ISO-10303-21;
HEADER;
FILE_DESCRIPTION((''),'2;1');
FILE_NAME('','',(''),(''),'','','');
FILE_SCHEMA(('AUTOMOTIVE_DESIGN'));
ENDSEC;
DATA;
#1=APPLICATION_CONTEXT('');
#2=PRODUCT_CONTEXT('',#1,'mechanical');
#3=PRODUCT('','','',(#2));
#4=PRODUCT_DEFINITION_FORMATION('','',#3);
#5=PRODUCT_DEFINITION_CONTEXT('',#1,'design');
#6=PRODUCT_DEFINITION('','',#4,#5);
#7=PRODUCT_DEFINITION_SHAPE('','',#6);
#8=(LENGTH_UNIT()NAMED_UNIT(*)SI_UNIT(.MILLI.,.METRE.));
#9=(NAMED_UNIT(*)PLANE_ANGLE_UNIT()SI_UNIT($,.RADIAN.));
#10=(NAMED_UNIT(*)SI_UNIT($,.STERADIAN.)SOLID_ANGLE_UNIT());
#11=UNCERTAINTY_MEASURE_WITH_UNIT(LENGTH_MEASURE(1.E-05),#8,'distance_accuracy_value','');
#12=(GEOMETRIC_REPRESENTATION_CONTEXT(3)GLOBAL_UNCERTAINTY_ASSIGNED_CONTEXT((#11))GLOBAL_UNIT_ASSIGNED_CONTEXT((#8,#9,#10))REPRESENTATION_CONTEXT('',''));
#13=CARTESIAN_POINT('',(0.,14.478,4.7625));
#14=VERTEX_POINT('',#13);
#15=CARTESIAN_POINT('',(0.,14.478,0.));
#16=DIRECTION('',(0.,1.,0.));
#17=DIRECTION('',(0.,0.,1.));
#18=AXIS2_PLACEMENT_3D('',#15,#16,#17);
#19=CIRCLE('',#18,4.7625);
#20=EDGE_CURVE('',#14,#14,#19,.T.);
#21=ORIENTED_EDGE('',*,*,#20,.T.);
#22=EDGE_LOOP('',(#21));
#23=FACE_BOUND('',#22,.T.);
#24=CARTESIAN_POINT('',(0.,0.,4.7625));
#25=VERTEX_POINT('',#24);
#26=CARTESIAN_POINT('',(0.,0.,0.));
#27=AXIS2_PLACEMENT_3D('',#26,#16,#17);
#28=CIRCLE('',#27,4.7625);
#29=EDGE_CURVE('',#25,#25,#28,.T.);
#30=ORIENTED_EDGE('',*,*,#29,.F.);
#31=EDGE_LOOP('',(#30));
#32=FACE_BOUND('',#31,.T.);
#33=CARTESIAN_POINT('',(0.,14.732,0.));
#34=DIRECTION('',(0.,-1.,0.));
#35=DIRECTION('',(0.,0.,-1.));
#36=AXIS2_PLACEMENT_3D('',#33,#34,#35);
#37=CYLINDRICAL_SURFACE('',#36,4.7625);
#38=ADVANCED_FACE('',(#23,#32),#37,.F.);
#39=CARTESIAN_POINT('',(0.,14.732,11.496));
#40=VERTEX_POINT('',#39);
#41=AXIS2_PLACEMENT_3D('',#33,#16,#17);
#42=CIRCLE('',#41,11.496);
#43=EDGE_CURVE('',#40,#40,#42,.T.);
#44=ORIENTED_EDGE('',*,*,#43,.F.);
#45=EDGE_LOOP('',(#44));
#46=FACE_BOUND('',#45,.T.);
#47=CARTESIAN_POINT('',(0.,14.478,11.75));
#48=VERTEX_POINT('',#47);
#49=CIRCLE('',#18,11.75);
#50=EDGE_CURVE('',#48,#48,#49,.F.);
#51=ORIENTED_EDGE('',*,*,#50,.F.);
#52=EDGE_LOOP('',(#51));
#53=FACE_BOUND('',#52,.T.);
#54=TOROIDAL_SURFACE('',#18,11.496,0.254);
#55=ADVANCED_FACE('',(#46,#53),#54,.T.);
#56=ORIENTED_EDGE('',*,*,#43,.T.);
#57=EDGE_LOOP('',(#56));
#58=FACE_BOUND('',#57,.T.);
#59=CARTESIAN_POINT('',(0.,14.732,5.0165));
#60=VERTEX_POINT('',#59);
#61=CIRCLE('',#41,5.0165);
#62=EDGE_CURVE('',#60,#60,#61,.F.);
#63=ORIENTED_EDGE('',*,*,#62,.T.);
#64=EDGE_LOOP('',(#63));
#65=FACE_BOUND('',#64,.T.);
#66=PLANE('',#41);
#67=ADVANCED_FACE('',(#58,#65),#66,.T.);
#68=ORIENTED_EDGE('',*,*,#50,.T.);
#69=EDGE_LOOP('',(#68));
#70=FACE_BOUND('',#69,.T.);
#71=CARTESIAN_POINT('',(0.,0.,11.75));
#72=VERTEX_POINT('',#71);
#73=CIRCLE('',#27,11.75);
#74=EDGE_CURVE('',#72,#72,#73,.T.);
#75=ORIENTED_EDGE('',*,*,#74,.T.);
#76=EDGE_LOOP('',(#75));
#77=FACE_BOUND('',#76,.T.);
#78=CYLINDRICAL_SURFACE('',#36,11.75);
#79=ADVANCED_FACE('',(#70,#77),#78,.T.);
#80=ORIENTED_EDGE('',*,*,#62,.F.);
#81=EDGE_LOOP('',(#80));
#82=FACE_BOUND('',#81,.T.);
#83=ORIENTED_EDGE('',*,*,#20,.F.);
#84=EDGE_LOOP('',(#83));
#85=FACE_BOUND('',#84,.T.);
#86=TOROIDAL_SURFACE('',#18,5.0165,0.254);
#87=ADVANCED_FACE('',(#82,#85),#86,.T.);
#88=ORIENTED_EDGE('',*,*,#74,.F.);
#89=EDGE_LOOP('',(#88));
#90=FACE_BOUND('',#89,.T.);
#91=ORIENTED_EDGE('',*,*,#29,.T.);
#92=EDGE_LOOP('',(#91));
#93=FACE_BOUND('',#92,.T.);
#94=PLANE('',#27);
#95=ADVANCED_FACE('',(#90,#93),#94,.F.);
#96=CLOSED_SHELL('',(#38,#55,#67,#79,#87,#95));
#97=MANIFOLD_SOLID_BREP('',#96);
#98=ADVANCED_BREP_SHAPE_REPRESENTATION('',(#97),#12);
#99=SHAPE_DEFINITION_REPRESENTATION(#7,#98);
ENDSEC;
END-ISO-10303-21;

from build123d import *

# Parameters (mm, degrees)
SKETCH1_R           = 11.75
SKETCH1_R_2         = 4.7625
BOSS_EXTRUDE1_DEPTH = 14.732
FILLET1_R           = 0.254


with BuildPart() as part:
    # Sketch1 → Boss-Extrude1 (new body)
    with BuildSketch(Plane(origin=(0, 0, 0), x_dir=(1, 0, 0), z_dir=(0, 1, 0))):
        with Locations(Location((0, 0, 0), (0, 0, 270))):
            Circle(SKETCH1_R)
        with Locations(Location((0, 0, 0), (0, 0, 270))):
            Circle(SKETCH1_R_2, mode=Mode.SUBTRACT)
    extrude(amount=BOSS_EXTRUDE1_DEPTH)

    # Fillet1
    fillet1_edges = [part.edges().sort_by_distance(p)[0] for p in [
        (0, 14.732, -11.75),
        (0, 14.732, -4.7625),
    ]]
    fillet(fillet1_edges, radius=FILLET1_R)


solid = part.part
